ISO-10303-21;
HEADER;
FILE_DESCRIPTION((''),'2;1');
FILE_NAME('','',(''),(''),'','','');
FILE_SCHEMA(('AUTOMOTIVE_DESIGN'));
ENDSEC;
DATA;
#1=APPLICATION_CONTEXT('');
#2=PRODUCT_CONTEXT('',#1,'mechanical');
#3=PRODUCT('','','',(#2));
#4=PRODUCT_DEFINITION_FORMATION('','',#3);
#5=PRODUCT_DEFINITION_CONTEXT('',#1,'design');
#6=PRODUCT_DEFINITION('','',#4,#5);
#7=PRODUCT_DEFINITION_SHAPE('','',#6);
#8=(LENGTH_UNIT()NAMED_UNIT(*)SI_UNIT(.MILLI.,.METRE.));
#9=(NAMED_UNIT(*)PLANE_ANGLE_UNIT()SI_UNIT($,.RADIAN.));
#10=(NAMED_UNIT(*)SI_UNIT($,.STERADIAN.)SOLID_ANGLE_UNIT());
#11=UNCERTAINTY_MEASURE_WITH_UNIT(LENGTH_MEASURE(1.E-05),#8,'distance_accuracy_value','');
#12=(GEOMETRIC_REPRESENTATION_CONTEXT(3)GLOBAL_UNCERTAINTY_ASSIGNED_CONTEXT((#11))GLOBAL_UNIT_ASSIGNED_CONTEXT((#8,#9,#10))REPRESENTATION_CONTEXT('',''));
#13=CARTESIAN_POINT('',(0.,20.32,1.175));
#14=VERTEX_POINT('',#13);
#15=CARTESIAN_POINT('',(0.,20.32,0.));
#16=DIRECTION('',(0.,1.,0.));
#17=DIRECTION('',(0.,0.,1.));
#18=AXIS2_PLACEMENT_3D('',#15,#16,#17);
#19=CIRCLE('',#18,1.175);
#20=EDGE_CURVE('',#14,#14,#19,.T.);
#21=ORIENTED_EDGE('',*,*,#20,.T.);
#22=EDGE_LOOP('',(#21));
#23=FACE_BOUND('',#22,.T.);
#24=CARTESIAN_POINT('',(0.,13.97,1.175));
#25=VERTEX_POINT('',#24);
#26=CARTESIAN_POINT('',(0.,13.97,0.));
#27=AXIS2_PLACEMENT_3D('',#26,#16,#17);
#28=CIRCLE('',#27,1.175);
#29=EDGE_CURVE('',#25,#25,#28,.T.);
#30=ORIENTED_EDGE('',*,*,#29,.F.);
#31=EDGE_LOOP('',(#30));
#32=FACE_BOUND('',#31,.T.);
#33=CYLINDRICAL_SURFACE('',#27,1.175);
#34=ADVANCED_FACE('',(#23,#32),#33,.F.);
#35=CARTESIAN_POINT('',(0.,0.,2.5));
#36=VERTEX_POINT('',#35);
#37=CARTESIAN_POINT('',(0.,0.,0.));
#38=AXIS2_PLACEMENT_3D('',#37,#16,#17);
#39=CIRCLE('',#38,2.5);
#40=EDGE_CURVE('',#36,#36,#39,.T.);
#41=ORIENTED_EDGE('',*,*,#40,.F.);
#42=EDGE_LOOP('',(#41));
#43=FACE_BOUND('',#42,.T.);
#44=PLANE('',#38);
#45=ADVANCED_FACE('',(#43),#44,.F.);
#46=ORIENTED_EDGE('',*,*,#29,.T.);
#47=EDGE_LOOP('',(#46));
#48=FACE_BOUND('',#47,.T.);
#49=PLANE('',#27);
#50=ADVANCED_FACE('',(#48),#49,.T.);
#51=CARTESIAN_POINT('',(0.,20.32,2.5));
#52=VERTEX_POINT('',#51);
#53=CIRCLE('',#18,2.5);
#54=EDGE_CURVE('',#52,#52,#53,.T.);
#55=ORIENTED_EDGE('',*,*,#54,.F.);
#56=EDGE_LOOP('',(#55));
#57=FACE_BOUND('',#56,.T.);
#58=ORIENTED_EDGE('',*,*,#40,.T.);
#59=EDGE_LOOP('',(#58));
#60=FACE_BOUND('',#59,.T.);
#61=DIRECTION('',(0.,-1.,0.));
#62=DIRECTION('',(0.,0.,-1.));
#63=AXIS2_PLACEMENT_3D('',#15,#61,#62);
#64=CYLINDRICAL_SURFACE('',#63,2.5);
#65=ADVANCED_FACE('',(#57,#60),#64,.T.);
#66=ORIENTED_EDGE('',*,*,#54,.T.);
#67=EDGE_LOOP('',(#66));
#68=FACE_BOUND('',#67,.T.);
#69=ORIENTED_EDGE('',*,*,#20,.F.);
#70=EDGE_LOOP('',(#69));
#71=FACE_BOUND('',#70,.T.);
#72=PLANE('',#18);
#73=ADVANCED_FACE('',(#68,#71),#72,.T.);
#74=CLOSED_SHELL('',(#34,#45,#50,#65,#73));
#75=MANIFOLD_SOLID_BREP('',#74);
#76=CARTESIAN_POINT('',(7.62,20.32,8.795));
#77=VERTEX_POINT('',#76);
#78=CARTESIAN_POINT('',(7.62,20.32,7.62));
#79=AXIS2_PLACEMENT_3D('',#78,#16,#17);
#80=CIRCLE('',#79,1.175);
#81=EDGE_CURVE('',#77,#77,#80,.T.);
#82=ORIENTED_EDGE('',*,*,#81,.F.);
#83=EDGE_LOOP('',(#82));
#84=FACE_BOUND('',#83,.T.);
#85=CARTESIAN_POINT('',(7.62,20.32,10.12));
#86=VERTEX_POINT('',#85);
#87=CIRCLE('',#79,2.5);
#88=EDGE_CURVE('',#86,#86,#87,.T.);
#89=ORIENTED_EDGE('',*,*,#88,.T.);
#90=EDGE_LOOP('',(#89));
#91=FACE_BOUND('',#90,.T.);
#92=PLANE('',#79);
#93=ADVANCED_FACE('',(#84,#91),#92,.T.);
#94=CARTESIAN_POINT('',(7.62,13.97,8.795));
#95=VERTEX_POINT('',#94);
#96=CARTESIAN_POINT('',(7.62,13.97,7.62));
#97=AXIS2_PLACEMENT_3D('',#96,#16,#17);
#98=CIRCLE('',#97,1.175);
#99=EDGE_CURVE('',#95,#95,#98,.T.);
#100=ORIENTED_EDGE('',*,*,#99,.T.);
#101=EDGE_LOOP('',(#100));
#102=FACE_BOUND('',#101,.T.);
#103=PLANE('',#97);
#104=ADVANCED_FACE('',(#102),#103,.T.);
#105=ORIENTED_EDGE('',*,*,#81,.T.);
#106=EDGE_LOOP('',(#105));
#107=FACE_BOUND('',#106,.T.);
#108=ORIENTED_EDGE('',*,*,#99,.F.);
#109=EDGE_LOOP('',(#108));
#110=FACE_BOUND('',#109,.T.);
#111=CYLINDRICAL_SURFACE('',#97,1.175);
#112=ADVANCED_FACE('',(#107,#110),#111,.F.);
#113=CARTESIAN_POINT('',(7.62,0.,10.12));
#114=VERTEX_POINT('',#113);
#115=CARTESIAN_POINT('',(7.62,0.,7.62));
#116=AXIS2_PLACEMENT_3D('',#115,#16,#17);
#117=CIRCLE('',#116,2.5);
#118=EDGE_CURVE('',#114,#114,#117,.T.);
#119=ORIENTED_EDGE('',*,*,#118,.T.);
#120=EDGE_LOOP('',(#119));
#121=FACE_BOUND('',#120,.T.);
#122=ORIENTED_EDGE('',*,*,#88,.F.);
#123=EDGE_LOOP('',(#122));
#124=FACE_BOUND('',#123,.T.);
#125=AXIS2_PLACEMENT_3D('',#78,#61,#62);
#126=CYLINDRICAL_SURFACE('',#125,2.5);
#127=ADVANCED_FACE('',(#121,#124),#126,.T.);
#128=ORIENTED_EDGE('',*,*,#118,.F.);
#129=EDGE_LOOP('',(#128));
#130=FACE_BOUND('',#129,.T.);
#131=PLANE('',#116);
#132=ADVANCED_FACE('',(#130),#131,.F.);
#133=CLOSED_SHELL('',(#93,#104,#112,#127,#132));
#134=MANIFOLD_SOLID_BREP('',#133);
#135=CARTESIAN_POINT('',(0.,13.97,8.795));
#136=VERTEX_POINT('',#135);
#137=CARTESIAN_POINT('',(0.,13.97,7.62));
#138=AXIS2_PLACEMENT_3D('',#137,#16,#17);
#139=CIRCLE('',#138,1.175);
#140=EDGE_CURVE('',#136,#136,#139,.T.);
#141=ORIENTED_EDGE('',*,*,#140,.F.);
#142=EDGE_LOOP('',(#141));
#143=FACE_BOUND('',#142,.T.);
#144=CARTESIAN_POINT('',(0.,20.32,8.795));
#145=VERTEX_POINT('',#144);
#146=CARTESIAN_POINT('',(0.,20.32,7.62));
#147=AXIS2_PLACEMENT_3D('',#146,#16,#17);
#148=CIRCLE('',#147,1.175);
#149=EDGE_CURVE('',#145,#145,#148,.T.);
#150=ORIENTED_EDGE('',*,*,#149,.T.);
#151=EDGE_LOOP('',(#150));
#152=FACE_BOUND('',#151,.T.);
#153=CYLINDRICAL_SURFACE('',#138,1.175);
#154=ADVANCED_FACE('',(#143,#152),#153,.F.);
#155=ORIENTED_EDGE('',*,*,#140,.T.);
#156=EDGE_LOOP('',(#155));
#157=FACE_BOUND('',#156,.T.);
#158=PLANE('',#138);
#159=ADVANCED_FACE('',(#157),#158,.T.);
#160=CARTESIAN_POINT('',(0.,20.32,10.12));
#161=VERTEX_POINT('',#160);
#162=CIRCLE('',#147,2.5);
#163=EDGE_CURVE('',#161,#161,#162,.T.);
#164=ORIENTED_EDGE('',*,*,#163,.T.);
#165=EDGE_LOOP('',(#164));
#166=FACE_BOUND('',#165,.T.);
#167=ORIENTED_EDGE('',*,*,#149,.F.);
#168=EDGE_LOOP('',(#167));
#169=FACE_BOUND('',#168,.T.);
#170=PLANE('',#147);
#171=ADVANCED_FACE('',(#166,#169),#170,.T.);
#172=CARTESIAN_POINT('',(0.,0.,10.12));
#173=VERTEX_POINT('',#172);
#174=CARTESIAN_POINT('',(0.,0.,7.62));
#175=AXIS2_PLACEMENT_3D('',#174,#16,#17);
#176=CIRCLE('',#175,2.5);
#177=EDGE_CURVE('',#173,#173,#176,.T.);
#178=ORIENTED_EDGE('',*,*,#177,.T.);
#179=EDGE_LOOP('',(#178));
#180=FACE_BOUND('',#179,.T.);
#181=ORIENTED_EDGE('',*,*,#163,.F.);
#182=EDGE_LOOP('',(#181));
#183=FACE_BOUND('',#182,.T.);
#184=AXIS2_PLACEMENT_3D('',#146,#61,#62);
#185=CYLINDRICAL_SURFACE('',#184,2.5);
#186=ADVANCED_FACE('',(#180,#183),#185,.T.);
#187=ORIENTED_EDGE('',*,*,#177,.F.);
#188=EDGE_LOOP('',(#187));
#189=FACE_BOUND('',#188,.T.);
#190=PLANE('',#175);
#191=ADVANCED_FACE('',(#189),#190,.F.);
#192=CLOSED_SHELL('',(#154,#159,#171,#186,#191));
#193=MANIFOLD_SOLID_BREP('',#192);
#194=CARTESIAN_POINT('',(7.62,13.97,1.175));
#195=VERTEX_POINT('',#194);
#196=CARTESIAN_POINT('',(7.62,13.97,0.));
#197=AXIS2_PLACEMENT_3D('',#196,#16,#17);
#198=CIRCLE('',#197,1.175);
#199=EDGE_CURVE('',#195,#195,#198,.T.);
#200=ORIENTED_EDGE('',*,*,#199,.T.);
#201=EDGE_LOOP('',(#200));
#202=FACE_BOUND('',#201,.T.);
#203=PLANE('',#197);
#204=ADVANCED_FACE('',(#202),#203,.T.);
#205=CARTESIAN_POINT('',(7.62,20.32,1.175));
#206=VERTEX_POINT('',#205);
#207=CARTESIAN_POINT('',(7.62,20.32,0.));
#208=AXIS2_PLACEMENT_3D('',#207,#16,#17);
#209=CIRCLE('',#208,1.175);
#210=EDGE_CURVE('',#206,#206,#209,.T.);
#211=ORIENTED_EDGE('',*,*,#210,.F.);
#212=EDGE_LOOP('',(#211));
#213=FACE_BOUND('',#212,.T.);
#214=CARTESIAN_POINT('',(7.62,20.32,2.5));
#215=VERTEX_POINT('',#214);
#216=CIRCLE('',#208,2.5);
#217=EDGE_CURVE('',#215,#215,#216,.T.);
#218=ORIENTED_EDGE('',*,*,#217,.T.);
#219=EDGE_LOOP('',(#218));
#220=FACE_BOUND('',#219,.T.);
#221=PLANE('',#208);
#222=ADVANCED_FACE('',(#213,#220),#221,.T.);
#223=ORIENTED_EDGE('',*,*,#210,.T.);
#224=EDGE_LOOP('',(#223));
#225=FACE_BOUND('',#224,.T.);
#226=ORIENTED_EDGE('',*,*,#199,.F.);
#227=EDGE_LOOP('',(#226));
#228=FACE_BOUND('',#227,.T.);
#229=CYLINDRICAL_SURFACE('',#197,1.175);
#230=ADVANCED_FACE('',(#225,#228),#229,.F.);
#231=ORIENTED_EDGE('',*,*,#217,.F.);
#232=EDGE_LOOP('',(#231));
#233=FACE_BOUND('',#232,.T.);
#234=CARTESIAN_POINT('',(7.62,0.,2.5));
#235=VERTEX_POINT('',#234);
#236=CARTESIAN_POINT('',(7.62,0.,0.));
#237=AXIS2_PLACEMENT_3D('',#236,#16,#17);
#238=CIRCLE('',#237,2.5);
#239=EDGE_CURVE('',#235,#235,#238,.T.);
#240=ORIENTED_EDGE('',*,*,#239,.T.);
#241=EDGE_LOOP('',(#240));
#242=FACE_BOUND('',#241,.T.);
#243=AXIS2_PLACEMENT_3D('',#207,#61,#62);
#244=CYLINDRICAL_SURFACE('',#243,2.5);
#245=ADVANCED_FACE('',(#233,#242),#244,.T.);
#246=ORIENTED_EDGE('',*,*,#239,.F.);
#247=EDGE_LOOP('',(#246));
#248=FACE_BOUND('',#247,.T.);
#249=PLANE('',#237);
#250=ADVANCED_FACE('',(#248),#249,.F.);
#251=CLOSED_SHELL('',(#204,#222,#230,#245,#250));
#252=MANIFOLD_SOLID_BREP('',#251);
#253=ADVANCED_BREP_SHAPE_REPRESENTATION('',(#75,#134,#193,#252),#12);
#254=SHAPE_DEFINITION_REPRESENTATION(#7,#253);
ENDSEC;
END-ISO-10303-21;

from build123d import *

# Parameters (mm, degrees)
SKETCH2_R           = 2.5
BOSS_EXTRUDE2_DEPTH = 20.32
SKETCH4_R           = 1.175
CUT_EXTRUDE1_DEPTH  = 6.35
LPATTERN1_COUNT     = 2
LPATTERN1_PITCH     = 7.62
LPATTERN1_2_COUNT   = 2
LPATTERN1_2_PITCH   = 7.62


with BuildPart() as part:
    # Sketch2 → Boss-Extrude2 (new body)
    with BuildSketch(Plane(origin=(0, 0, 0), x_dir=(1, 0, 0), z_dir=(0, 1, 0))):
        Circle(SKETCH2_R)
    extrude(amount=BOSS_EXTRUDE2_DEPTH)

    # Sketch4 → Cut-Extrude1 (cut)
    with BuildSketch(Plane(origin=(0, 20.32, 0), x_dir=(1, 0, 0), z_dir=(0, 1, 0))):
        Circle(SKETCH4_R)
    extrude(amount=-CUT_EXTRUDE1_DEPTH, mode=Mode.SUBTRACT)


with BuildPart() as lpattern1_1:
    # LPattern1: pattern copy
    add(part.part.moved(Location(Vector(0, 0, 1) * (1 * LPATTERN1_PITCH))))


with BuildPart() as lpattern1_2_1:
    # LPattern1 2: pattern copy
    add(part.part.moved(Location(Vector(1, 0, 0) * (1 * LPATTERN1_2_PITCH))))


with BuildPart() as lpattern1_2_2:
    # LPattern1 2: pattern copy
    add(lpattern1_1.part.moved(Location(Vector(1, 0, 0) * (1 * LPATTERN1_2_PITCH))))


solid = Compound([part.part, lpattern1_1.part, lpattern1_2_1.part, lpattern1_2_2.part])
